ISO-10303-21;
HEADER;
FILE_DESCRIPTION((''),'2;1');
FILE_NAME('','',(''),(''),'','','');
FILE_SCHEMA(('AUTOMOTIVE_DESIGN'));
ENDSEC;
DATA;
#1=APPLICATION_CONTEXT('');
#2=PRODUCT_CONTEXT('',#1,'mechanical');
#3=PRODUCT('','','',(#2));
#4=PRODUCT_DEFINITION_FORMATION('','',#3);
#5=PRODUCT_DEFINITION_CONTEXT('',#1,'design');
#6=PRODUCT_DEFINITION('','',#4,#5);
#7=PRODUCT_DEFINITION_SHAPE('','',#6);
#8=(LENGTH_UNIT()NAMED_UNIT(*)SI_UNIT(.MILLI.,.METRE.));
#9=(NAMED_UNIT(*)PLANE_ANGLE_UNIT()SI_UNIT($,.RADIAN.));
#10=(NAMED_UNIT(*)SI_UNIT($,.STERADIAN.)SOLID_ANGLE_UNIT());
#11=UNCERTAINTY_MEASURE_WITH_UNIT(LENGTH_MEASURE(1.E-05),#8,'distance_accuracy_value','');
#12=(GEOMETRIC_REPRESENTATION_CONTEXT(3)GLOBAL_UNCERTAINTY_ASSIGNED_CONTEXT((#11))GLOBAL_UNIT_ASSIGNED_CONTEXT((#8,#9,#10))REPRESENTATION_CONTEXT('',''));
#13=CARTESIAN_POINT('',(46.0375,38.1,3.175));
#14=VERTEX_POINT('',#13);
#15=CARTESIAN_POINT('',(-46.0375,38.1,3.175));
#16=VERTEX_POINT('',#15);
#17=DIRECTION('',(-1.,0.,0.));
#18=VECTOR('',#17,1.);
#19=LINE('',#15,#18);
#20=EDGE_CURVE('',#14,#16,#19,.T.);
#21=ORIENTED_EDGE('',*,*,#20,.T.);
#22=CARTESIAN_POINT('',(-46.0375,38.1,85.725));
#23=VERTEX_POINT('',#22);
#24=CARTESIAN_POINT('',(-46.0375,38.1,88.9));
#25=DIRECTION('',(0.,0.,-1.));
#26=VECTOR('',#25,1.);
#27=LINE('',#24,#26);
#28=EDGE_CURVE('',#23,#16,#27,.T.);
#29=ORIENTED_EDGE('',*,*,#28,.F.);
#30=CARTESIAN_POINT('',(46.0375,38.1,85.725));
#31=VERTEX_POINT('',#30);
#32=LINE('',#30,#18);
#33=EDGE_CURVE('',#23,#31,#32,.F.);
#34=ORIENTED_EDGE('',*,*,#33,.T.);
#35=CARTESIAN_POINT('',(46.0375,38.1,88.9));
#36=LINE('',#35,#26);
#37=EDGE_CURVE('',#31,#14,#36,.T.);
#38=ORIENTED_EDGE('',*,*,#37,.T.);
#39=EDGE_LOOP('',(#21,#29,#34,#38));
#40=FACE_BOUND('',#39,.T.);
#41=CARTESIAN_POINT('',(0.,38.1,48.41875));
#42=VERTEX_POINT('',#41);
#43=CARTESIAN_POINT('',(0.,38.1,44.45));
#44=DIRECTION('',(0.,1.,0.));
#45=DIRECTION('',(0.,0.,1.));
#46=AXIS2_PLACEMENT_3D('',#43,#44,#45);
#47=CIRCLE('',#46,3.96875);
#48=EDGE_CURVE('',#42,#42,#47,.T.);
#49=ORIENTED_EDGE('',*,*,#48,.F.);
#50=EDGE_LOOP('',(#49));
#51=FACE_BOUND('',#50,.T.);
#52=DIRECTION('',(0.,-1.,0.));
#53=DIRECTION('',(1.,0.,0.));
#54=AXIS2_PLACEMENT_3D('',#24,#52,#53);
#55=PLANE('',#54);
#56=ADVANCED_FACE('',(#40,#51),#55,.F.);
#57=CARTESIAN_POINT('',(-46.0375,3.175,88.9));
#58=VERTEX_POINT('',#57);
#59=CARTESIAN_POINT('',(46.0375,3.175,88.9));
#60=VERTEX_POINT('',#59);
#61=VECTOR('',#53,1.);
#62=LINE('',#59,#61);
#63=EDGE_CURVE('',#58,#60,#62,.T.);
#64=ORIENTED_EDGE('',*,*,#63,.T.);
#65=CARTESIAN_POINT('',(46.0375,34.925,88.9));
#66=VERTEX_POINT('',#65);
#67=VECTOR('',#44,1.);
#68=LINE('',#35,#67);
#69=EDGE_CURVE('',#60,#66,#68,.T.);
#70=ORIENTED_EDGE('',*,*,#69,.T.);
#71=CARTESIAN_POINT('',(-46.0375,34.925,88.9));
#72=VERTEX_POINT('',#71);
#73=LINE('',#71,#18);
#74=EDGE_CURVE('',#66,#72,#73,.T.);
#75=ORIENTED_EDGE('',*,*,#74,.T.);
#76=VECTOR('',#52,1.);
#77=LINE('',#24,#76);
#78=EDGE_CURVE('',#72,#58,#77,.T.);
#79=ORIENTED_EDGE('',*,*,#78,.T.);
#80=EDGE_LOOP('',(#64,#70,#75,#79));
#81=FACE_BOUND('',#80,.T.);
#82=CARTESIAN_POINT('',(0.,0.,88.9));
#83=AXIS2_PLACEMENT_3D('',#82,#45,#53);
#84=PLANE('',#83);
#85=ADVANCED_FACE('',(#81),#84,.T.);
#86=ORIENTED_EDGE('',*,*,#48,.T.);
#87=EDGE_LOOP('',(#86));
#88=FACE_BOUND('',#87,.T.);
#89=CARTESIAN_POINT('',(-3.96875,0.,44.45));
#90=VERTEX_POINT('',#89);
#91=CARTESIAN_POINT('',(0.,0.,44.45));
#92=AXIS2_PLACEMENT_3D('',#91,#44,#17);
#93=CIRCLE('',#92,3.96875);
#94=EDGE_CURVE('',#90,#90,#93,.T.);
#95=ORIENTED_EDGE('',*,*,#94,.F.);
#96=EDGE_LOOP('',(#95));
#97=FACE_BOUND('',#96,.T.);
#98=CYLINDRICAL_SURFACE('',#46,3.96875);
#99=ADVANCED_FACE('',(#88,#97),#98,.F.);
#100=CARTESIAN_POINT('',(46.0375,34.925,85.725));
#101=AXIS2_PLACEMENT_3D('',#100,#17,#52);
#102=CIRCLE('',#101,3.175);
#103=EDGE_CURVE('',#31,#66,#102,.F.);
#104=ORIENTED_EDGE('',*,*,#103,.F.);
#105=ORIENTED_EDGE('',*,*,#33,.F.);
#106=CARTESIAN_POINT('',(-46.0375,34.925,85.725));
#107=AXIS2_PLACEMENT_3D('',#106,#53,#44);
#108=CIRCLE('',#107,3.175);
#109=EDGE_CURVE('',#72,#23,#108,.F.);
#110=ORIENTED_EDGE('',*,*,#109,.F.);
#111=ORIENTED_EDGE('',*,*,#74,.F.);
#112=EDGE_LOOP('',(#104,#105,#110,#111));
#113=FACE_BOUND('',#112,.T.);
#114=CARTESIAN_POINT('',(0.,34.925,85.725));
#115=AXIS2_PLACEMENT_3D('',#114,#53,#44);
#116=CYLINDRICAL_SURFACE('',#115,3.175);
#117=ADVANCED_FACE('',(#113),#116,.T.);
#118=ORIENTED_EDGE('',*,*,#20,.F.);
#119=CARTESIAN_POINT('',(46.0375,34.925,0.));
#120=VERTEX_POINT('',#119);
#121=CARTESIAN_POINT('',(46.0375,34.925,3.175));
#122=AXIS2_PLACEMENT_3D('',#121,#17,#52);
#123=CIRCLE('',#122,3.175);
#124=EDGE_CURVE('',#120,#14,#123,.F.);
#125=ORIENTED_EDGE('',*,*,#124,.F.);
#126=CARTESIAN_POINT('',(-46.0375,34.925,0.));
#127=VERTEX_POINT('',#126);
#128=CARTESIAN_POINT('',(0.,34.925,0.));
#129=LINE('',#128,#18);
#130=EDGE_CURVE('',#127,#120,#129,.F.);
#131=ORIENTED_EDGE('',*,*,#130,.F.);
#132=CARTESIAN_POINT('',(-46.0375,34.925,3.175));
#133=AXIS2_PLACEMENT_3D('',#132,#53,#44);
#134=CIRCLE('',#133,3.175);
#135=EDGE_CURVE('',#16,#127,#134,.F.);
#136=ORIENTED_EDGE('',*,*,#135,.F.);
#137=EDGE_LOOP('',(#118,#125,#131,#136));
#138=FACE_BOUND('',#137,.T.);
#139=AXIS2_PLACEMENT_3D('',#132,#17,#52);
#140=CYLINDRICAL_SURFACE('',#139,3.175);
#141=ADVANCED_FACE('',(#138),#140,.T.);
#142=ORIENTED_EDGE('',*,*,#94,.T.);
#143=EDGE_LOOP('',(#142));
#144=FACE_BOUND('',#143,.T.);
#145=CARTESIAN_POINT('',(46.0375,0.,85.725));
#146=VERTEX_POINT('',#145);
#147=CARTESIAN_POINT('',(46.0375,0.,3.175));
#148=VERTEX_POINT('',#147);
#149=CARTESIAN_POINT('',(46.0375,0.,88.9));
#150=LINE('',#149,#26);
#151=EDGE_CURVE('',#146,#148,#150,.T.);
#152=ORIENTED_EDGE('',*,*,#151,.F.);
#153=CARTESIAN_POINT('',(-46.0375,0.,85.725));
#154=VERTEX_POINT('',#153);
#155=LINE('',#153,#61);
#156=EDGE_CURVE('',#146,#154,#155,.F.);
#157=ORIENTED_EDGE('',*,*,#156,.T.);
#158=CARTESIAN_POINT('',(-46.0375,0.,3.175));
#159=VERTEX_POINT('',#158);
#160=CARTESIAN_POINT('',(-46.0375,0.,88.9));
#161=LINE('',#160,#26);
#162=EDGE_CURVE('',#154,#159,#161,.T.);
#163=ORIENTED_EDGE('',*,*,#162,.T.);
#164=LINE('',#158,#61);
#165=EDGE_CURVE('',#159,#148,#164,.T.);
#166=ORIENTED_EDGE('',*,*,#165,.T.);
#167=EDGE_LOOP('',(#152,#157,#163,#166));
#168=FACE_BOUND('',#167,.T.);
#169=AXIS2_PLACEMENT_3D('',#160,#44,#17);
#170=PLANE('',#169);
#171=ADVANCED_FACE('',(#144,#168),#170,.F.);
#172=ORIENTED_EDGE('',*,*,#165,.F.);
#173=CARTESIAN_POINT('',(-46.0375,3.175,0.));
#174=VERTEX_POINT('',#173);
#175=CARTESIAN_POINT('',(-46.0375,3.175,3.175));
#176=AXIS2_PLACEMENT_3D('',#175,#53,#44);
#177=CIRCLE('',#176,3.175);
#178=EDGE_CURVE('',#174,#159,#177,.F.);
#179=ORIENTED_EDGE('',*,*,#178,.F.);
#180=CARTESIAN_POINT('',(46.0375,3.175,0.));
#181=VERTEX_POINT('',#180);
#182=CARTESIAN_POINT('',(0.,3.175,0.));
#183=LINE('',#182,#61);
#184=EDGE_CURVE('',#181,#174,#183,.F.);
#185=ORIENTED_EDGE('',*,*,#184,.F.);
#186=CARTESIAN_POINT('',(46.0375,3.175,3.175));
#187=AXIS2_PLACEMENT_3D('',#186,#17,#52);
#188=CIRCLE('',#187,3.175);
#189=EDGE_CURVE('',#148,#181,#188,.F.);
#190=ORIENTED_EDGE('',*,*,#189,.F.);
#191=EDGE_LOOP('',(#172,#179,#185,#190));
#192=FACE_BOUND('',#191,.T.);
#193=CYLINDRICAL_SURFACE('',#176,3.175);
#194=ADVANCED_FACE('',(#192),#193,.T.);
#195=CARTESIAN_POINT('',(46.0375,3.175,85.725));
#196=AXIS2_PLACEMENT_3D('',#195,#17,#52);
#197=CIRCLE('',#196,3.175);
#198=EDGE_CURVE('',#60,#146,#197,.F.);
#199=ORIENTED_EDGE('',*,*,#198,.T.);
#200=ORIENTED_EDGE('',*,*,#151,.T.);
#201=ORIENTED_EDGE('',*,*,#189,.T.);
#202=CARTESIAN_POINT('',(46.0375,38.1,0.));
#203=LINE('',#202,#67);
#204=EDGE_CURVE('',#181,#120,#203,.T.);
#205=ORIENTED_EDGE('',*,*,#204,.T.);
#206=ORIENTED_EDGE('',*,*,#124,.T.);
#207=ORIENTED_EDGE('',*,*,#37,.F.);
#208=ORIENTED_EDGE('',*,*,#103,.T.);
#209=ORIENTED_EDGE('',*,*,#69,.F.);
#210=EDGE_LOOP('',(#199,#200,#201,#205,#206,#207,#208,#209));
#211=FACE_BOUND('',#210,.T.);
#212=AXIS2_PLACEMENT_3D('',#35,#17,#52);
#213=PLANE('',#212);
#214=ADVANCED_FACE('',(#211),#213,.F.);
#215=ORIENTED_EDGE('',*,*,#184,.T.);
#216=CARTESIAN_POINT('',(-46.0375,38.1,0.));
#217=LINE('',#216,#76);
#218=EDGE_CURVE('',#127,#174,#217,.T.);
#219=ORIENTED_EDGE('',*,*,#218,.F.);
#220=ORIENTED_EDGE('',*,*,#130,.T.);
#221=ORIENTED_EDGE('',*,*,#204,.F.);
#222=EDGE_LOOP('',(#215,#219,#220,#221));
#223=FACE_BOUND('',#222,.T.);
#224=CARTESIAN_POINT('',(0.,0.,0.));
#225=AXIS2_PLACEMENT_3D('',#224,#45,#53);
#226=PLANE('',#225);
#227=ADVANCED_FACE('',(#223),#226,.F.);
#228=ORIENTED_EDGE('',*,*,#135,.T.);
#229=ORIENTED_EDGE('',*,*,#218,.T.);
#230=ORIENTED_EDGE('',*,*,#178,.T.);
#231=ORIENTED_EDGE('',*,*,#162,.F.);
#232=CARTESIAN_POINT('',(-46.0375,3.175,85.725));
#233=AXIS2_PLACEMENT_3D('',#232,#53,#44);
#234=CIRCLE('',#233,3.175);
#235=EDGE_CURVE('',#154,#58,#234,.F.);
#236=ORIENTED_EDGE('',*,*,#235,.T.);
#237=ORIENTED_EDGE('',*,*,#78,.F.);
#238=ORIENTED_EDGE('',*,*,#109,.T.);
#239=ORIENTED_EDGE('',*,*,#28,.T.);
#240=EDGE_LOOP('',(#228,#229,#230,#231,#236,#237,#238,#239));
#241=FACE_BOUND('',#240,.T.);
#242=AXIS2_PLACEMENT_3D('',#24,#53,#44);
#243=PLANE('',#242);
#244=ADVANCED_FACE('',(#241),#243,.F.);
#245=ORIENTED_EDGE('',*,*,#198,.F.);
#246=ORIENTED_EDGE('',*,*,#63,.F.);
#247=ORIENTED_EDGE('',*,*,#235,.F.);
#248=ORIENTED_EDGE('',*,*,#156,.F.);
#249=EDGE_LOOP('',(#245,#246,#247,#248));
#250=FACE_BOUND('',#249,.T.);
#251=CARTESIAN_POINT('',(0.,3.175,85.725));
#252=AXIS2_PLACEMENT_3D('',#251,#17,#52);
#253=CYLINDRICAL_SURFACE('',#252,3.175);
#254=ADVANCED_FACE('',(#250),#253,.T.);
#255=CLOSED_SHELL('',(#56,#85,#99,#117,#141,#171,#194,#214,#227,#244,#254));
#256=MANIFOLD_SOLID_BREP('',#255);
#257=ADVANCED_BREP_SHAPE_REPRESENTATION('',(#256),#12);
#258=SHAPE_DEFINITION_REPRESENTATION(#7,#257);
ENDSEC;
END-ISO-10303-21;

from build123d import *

# Parameters (mm, degrees)
SKETCH1_W                      = 92.075
SKETCH1_H                      = 38.1
BOSS_EXTRUDE1_DEPTH            = 88.9
FILLET1_R                      = 3.175
F_5_16_0_3125_DIAMETER_HOLE1_D = 7.9375


with BuildPart() as part:
    # Sketch1 → Boss-Extrude1 (new body)
    with BuildSketch(Plane.XY):
        with Locations((0, 19.05)):
            Rectangle(SKETCH1_W, SKETCH1_H)
    extrude(amount=BOSS_EXTRUDE1_DEPTH)

    # Fillet1
    fillet1_edges = [part.edges().sort_by_distance(p)[0] for p in [
        (0, 38.1, 88.9),
        (0, 38.1, 0),
        (0, 0, 0),
        (0, 0, 88.9),
    ]]
    fillet(fillet1_edges, radius=FILLET1_R)

    # 5/16 (0.3125) Diameter Hole1 (through all)
    with Locations(Plane(origin=(0, 38.1, 0), x_dir=(1, 0, 0), z_dir=(0, 1, 0))):
        with Locations((0, -44.45)):
            Hole(F_5_16_0_3125_DIAMETER_HOLE1_D / 2)


solid = part.part
